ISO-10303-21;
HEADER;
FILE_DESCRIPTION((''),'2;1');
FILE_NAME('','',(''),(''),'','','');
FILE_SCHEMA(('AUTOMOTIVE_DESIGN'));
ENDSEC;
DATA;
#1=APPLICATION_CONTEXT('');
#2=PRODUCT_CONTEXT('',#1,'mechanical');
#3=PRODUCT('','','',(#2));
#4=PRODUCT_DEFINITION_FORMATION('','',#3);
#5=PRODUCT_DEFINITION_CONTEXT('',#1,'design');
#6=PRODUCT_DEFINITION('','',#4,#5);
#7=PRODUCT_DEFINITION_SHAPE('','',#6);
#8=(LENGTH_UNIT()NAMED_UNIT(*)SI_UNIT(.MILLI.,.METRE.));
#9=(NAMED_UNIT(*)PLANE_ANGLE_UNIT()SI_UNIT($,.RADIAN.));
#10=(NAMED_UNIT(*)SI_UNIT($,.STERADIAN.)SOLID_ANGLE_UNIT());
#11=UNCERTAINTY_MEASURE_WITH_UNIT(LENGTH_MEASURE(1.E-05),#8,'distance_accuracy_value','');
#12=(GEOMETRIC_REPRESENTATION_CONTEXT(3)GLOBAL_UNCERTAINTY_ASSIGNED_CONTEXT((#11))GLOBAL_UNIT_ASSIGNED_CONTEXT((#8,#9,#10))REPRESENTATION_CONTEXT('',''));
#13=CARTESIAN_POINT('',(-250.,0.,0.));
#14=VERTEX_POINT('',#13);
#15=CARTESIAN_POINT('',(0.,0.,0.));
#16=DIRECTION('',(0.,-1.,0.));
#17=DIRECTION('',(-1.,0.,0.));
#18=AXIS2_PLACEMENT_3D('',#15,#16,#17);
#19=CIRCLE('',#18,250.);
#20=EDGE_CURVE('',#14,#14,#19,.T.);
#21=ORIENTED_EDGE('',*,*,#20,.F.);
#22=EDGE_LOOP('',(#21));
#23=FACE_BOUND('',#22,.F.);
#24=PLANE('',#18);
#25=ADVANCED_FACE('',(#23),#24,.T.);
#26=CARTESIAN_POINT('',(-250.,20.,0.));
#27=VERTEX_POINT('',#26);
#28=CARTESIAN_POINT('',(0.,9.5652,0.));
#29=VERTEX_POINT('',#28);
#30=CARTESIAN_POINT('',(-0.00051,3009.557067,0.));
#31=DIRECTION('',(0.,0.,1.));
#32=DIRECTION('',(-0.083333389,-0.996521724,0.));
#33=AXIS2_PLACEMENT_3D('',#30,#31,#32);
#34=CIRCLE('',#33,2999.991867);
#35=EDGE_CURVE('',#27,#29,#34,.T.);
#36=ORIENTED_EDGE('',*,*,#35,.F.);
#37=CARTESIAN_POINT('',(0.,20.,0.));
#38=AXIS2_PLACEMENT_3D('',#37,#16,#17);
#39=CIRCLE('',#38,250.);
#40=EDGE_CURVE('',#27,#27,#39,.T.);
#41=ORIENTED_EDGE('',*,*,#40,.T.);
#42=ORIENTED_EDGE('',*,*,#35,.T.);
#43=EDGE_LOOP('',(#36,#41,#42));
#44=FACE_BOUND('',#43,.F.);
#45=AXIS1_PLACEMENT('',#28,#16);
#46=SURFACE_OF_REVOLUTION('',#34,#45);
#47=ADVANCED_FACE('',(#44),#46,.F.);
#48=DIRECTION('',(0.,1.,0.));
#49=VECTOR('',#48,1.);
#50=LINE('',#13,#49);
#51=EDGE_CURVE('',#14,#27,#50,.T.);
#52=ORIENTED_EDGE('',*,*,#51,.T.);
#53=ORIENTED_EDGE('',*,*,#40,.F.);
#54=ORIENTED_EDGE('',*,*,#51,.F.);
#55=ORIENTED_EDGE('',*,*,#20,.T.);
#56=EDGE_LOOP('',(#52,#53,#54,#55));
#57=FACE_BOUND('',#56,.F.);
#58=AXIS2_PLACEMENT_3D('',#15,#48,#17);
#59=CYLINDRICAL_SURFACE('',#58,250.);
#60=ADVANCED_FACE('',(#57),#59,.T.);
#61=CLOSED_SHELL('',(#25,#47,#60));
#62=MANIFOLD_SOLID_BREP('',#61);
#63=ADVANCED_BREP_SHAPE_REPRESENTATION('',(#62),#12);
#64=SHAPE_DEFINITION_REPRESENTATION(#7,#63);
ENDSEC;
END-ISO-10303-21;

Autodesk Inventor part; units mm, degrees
ref_plane "YZ Plane" through (0, 0, 0) normal (1, 0, 0) x (0, 1, 0)
ref_plane "XZ Plane" through (0, 0, 0) normal (0, 1, 0) x (-1, 0, 0)
ref_plane "XY Plane" through (0, 0, 0) normal (0, 0, 1) x (1, 0, 0)
sketch "Sketch1" plane through (0, 0, 0) normal (0, 0, 1) x (1, 0, 0)
  line L0 (0, 9.5652) -> (0, 0)
  line L1 (0, 0) -> (-250, 0)
  arc A0 (-250, 20) -> (0, 9.5652) centre (0, 3009.5652) ccw
  line L2 (-250, 0) -> (-250, 20)
  line L3 (0, 3611.4782) -> (0, -601.913) projected
  line L4 (-300.1306, 0) -> (50.0218, 0) projected
  point P0 (0, 9.5652)
  dimension "d1" = 250
  dimension "d3" = 3000
  dimension "d4" = 20
revolve "Revolution1" add sketch "Sketch1" angle 360 about axis through (0, 9.5652, 0) along (0, -1, 0)
properties part number "Mirror"
